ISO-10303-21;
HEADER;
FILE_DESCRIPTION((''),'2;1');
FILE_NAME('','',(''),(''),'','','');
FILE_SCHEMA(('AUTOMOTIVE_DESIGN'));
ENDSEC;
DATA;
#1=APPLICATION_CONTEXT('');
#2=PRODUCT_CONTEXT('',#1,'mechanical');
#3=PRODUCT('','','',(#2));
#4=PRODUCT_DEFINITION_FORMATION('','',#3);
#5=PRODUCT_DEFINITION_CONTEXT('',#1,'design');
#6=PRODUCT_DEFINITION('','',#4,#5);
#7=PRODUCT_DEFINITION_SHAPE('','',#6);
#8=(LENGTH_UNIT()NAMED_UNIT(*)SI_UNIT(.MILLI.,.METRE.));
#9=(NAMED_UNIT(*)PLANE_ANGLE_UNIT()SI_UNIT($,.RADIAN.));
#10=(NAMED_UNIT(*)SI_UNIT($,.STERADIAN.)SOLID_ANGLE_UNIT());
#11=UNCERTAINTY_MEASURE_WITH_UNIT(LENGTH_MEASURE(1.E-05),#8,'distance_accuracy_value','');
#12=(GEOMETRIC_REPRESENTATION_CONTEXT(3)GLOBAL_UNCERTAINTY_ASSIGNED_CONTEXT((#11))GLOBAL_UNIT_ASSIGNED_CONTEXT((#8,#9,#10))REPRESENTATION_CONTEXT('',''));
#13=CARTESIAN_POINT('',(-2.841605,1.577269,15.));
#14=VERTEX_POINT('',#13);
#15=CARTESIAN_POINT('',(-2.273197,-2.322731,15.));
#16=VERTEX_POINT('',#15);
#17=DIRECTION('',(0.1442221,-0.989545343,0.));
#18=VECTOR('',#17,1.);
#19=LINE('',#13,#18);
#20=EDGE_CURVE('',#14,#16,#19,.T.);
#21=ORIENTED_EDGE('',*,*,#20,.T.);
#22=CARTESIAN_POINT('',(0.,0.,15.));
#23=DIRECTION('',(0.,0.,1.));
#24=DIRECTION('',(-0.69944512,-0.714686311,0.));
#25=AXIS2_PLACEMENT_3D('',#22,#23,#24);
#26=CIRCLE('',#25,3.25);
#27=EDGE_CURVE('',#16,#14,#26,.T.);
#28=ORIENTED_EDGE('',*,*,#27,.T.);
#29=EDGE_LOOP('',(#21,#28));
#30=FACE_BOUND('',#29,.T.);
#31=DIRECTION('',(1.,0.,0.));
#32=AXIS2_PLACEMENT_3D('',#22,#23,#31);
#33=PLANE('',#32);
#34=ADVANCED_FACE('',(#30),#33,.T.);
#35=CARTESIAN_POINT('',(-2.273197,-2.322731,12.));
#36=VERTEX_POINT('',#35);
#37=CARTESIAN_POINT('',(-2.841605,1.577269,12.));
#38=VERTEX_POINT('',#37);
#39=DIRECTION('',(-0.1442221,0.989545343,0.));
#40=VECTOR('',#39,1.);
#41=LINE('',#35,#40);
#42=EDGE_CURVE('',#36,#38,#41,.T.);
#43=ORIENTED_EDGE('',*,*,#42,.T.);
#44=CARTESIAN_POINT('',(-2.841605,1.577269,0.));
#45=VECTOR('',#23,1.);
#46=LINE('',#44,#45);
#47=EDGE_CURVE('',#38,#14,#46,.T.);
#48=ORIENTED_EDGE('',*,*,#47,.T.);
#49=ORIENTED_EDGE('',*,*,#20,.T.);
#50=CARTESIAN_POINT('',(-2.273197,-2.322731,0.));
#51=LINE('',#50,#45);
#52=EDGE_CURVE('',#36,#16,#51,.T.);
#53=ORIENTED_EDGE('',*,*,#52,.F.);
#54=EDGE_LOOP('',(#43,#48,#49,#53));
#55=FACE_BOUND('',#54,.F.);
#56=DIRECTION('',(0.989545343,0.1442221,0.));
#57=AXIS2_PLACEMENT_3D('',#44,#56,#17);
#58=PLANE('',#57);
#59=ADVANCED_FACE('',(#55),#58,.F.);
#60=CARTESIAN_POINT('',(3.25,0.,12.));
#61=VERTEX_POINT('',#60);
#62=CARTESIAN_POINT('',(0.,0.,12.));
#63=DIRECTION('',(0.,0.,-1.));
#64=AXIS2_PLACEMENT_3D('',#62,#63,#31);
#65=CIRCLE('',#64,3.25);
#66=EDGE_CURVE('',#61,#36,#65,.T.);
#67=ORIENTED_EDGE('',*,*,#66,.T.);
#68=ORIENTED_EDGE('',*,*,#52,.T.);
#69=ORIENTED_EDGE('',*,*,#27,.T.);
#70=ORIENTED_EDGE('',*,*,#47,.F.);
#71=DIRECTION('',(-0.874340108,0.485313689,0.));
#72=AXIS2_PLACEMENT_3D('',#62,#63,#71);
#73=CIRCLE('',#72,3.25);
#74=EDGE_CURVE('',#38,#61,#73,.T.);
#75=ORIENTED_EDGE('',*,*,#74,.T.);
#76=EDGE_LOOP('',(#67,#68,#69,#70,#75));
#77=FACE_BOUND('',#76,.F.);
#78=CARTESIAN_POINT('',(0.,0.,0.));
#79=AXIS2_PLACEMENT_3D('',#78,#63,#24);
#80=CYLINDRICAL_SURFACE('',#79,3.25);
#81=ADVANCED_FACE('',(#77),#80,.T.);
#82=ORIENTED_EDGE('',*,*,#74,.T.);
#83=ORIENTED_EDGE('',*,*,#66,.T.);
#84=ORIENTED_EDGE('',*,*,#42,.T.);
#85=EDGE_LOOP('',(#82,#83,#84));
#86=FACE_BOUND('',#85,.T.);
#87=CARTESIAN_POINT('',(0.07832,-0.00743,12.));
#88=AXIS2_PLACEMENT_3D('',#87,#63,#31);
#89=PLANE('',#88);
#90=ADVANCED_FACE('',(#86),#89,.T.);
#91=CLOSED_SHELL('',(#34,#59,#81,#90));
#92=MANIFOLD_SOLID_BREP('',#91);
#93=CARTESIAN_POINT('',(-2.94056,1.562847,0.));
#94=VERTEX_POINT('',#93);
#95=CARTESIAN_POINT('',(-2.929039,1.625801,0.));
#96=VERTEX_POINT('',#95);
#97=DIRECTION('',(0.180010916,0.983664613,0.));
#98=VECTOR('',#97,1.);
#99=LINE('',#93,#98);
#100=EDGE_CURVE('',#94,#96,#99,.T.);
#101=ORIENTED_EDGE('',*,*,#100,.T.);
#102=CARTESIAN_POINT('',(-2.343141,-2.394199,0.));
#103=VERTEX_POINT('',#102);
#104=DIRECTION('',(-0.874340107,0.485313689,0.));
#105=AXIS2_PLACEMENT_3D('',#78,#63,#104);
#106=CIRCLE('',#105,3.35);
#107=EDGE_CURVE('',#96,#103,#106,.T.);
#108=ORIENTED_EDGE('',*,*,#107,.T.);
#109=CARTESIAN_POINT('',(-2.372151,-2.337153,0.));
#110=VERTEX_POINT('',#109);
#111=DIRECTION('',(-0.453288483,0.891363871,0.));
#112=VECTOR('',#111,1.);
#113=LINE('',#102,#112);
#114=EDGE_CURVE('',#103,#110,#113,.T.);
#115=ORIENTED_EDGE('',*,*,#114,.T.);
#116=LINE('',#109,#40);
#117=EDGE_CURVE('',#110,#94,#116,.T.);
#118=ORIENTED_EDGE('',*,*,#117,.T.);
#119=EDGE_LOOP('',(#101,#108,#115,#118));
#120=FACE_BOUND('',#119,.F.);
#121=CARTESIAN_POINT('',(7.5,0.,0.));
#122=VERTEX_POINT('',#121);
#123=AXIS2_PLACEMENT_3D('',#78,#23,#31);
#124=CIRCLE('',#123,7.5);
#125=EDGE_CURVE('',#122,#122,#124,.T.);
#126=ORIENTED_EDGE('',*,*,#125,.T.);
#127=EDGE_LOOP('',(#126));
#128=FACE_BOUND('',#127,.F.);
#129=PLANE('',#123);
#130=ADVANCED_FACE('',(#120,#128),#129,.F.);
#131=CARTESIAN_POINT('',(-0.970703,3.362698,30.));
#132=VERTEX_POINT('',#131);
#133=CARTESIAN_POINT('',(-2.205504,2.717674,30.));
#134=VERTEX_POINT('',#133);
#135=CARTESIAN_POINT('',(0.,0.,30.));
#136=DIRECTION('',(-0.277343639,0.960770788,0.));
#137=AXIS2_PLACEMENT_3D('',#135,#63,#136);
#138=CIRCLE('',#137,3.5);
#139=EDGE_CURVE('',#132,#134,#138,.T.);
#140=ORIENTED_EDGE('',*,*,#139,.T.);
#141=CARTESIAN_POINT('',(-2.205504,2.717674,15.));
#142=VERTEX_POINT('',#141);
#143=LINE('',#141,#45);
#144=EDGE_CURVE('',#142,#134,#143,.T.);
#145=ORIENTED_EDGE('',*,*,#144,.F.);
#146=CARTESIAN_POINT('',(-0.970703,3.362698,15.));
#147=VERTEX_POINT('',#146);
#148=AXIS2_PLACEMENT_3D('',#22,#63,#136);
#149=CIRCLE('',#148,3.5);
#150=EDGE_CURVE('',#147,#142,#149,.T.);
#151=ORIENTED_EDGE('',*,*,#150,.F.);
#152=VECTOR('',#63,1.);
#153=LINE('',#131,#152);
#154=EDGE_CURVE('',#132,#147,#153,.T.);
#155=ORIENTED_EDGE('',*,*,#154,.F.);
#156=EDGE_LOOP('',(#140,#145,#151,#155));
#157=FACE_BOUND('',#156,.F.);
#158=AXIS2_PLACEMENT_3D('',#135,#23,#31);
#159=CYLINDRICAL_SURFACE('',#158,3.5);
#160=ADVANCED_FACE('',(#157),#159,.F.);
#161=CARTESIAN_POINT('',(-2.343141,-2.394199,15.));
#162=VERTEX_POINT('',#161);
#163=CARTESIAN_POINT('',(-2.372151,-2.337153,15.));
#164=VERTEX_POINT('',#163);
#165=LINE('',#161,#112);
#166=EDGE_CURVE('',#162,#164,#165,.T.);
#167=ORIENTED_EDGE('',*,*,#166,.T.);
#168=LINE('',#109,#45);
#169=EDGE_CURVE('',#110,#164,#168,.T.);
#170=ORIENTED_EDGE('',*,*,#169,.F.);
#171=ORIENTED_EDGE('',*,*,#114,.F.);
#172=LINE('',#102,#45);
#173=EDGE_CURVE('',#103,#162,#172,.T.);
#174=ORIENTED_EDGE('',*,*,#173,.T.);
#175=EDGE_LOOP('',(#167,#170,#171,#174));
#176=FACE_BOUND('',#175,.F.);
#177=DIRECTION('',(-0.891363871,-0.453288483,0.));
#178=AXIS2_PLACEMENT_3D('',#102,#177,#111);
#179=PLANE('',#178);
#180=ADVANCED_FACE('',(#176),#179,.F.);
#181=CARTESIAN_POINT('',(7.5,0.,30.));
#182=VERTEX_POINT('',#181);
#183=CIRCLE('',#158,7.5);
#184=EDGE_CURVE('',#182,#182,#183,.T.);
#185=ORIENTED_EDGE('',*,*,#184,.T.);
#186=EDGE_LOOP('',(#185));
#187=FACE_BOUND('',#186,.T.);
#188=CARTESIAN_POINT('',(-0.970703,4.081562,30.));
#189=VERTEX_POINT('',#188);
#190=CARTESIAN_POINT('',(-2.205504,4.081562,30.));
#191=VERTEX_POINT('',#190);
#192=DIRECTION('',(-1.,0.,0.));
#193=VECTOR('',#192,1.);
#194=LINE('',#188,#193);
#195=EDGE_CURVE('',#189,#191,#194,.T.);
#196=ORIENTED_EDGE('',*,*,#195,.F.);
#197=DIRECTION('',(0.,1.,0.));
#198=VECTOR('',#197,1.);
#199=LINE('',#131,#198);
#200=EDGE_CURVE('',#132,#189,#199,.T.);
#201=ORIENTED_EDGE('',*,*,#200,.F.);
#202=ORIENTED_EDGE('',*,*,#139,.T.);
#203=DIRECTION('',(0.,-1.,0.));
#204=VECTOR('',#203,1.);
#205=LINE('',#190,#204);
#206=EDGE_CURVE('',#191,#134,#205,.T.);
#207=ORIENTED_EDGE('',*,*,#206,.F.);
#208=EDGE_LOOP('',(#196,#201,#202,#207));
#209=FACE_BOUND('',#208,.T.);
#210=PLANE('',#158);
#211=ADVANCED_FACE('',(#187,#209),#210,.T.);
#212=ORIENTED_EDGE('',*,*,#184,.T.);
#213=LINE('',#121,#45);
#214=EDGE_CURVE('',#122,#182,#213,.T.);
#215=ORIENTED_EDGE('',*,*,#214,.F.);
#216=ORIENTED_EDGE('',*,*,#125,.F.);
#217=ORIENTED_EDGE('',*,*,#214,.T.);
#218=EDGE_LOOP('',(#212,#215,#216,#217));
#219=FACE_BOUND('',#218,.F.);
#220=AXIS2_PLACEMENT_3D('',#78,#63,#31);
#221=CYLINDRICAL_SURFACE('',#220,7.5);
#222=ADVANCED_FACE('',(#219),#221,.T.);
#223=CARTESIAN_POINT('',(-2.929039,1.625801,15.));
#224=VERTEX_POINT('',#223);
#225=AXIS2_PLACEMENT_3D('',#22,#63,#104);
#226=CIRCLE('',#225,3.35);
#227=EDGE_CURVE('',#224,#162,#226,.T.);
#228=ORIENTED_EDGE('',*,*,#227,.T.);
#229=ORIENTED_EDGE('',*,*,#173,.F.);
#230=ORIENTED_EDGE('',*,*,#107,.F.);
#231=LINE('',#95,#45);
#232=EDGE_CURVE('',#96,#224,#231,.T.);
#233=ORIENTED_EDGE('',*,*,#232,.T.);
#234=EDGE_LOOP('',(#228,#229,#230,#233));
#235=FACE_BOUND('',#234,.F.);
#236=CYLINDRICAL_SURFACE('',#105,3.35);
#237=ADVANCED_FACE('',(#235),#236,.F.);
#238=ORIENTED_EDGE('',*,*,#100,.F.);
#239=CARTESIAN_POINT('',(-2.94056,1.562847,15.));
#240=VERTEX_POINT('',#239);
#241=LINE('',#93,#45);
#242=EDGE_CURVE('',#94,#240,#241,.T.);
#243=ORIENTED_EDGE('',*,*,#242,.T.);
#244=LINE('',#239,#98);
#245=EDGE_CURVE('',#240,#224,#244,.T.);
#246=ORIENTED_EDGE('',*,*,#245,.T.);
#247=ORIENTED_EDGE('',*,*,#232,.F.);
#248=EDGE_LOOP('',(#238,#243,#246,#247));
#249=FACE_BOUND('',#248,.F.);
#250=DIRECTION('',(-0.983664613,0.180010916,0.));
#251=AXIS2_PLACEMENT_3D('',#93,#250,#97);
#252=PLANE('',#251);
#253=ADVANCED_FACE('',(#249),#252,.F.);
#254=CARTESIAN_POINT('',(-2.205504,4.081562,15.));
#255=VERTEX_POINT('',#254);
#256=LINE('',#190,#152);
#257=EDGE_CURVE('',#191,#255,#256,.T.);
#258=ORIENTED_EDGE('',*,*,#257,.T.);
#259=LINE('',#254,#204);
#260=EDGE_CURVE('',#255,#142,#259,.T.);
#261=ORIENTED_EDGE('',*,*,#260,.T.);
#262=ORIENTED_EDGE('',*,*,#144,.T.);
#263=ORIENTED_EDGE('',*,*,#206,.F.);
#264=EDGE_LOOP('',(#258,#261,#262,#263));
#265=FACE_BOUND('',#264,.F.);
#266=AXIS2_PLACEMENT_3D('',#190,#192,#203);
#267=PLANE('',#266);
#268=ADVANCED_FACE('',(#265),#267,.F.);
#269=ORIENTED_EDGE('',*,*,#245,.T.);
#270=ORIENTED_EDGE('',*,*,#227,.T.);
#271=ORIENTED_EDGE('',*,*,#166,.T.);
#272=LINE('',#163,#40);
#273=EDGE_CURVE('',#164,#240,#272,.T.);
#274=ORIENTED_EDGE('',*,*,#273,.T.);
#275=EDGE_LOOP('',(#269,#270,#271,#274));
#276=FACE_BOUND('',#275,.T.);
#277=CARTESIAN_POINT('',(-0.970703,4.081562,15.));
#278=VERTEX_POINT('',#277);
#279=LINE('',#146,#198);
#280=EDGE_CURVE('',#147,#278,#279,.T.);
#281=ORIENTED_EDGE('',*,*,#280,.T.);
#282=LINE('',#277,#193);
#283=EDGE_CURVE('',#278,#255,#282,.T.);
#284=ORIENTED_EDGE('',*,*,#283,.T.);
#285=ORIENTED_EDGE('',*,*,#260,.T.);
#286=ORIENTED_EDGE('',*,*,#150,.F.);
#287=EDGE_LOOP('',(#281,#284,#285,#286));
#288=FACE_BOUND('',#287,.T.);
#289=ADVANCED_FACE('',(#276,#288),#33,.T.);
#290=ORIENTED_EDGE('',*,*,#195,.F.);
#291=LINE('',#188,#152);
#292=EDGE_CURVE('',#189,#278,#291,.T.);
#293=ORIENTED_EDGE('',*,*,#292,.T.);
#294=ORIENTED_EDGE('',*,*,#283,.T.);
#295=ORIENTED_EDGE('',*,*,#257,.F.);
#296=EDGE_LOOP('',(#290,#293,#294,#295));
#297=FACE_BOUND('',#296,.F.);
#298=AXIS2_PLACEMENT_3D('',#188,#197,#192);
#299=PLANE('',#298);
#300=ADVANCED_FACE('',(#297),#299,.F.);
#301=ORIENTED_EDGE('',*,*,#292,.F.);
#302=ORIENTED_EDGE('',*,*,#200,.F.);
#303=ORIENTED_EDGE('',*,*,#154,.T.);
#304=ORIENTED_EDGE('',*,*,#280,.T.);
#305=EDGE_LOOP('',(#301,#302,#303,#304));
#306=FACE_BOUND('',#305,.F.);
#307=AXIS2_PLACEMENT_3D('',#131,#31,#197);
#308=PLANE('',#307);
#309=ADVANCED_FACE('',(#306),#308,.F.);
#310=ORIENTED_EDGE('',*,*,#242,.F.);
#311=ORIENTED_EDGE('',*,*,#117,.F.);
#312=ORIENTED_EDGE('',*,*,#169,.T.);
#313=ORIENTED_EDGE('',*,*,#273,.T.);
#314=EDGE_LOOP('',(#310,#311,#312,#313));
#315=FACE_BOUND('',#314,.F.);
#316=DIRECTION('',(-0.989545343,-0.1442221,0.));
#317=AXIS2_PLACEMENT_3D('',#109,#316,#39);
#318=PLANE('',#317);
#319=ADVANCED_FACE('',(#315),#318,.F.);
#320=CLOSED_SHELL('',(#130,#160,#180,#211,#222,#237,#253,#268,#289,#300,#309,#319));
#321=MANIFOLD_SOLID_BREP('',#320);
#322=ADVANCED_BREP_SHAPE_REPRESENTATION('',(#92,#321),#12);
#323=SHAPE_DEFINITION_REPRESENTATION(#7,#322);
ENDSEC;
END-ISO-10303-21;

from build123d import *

# Parameters (mm, degrees)
F0_R      = 7.5
F1_DEPTH  = 30
F2_R      = 3.5
F3_DEPTH  = 15
F5_DEPTH  = 12
F7_DEPTH  = 12
F8_DEPTH  = 3
F10_DEPTH = 15


with BuildPart() as f1:
    # F0 (on Top) → F1 (new body)
    with BuildSketch(Plane.XY):
        Circle(F0_R)
    extrude(amount=F1_DEPTH)

    # F2 (on face) → F3 (cut)
    with BuildSketch(Plane.XY.offset(30)):
        Circle(F2_R)
    extrude(amount=-F3_DEPTH, mode=Mode.SUBTRACT)

    # F4 (on face) → F5 (cut)
    with BuildSketch(Plane(origin=(0, 0, 0), x_dir=(1, 0, 0), z_dir=(0, 0, -1))):
        with BuildLine():
            ThreePointArc((-2.8416053494, -1.5772694882), (0.8146418276, -3.1462451737), (3.25, 0))
            ThreePointArc((3.25, 0), (1.2598831128, 2.9958629044), (-2.2731966412, 2.3227305118))
            Line((-2.2731966412, 2.3227305118), (-2.8416053494, -1.5772694882))
        make_face()
    extrude(amount=-F5_DEPTH, mode=Mode.SUBTRACT)

    # F6 (on face) → F7 (cut)
    with BuildSketch(Plane.XY.offset(30)):
        with BuildLine():
            Line((-2.2055036746, 4.0815616958), (-2.2055036746, 2.7176742891))
            ThreePointArc((-2.2055036746, 2.7176742891), (-1.6205201656, 3.1022434451), (-0.9707027348, 3.3626977564))
            Line((-0.9707027348, 3.3626977564), (-0.9707027348, 4.0815616958))
            Line((-0.9707027348, 4.0815616958), (-2.2055036746, 4.0815616958))
        make_face()
    extrude(amount=-F7_DEPTH, mode=Mode.SUBTRACT)

    # F8 (cut): a face of the model
    f8_faces = [f1.faces().sort_by_distance(p)[0] for p in [
        (-1.6545482577, 3.5698041103, 18),
    ]]
    extrude(f8_faces, amount=-F8_DEPTH, mode=Mode.SUBTRACT)

    # F9 (on face) → F10 (cut, through all)
    with BuildSketch(Plane(origin=(0, 0, 0), x_dir=(1, 0, 0), z_dir=(0, 0, -1))):
        with BuildLine():
            Line((-2.9405598837, -1.5628472782), (-2.9290393601, -1.6258008571))
            ThreePointArc((-2.9290393601, -1.6258008571), (3.3149768991, -0.4831440351), (-2.3431411533, 2.3941991429))
            Line((-2.3431411533, 2.3941991429), (-2.3721511755, 2.3371527218))
            Line((-2.3721511755, 2.3371527218), (-2.9405598837, -1.5628472782))
        make_face()
        with BuildLine():
            Line((-2.8416053494, -1.5772694882), (-2.2731966412, 2.3227305118))
            ThreePointArc((-2.2731966412, 2.3227305118), (3.2160223648, -0.4687218251), (-2.8416053494, -1.5772694882))
        make_face(mode=Mode.SUBTRACT)
    extrude(amount=-F10_DEPTH, mode=Mode.SUBTRACT)


solid = f1.part
